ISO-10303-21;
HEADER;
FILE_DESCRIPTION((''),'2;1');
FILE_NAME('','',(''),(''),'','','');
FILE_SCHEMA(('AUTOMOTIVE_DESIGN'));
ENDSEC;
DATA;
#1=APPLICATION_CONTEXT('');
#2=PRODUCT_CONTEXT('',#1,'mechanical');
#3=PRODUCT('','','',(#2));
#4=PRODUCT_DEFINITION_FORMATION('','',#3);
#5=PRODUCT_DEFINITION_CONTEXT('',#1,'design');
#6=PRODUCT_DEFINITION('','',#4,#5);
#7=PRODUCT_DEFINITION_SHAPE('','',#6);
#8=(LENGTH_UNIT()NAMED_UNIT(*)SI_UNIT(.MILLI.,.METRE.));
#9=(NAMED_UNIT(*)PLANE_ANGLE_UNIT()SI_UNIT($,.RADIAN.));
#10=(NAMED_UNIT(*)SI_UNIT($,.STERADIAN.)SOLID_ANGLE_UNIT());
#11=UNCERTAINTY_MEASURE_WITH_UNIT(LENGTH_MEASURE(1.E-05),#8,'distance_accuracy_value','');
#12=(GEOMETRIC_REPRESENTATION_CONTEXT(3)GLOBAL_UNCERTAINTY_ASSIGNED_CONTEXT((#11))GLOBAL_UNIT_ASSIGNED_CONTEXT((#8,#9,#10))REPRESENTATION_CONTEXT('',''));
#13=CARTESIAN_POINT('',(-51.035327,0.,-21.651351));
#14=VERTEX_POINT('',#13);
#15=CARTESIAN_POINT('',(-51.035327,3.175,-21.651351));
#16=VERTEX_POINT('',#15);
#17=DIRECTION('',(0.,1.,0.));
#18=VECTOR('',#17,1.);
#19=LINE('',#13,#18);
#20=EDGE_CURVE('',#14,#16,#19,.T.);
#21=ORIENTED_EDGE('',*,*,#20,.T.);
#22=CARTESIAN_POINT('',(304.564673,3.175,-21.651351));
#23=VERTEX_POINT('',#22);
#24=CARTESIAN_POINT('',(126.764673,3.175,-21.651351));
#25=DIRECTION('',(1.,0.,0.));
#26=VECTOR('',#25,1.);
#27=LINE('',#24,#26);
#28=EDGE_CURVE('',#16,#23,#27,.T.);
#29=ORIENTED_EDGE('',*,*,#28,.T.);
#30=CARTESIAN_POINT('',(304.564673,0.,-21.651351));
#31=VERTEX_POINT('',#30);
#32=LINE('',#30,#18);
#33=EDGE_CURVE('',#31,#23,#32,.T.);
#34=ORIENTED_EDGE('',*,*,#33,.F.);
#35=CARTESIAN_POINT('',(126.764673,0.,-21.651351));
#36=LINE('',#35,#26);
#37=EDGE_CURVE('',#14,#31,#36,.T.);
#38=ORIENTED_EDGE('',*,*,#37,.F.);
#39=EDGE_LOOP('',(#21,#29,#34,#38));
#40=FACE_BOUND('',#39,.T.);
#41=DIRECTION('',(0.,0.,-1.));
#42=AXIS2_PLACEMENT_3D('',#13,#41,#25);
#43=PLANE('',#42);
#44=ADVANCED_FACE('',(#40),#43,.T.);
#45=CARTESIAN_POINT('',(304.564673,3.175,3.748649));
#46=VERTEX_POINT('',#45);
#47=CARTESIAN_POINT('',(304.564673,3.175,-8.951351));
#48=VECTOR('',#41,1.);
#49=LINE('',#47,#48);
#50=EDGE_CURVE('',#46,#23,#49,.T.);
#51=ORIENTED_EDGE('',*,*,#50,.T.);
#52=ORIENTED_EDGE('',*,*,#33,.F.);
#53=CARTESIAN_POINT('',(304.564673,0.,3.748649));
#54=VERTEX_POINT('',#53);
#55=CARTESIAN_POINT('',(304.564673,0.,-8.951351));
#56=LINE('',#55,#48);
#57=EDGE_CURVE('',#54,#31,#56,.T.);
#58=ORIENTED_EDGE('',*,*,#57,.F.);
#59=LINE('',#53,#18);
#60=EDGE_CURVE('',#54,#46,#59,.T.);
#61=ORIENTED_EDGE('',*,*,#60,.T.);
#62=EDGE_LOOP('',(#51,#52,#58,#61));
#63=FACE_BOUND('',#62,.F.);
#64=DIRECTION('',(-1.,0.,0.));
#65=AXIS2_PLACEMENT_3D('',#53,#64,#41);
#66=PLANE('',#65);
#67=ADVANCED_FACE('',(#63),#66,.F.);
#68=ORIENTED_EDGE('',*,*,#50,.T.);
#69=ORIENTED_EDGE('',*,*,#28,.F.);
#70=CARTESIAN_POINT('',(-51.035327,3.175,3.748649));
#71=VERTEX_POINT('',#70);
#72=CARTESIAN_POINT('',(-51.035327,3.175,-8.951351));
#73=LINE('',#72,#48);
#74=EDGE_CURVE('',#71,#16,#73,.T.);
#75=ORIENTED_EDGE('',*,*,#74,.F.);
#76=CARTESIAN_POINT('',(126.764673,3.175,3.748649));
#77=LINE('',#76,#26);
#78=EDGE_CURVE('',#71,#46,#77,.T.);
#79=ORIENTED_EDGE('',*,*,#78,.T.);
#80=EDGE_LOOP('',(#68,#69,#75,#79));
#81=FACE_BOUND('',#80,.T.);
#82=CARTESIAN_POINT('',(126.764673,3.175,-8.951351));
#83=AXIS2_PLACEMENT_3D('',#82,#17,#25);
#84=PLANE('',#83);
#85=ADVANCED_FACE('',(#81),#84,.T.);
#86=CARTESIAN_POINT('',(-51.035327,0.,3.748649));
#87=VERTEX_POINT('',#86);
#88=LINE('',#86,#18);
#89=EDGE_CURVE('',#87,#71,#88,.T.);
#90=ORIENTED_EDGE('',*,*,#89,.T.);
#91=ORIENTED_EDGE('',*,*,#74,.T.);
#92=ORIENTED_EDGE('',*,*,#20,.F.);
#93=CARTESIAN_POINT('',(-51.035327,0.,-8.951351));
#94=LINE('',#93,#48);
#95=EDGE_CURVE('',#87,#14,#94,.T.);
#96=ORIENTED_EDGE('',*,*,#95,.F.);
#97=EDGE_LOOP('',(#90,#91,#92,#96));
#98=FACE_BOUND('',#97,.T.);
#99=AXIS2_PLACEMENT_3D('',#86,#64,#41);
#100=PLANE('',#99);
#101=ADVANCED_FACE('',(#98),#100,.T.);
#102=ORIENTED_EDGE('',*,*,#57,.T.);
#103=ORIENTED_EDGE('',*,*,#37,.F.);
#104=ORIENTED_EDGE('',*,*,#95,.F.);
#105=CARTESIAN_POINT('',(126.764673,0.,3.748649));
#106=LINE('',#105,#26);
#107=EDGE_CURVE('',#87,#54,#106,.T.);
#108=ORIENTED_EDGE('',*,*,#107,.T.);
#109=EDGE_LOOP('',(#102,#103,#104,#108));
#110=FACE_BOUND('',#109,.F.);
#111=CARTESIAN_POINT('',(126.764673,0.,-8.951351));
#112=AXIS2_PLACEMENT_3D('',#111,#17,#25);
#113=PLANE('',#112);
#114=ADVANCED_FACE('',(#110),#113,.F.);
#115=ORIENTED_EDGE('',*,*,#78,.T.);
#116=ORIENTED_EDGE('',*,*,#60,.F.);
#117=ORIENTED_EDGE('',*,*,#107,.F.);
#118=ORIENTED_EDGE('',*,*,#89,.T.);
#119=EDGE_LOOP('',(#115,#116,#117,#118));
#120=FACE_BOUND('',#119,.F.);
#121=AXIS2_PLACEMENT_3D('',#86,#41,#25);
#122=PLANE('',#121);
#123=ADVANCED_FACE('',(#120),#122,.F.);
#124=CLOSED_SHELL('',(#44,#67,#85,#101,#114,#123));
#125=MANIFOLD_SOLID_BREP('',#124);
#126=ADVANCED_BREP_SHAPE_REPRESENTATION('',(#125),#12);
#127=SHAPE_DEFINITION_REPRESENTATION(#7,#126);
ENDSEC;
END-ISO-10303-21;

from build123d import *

# Parameters (mm, degrees)
SKETCH1_W           = 355.6
SKETCH1_H           = 25.4
BOSS_EXTRUDE1_DEPTH = 3.175


with BuildPart() as part:
    # Sketch1 → Boss-Extrude1 (new body)
    with BuildSketch(Plane(origin=(0, 0, 0), x_dir=(1, 0, 0), z_dir=(0, 1, 0))):
        with Locations((126.764672963, 8.951350864)):
            Rectangle(SKETCH1_W, SKETCH1_H)
    extrude(amount=BOSS_EXTRUDE1_DEPTH)


solid = part.part
